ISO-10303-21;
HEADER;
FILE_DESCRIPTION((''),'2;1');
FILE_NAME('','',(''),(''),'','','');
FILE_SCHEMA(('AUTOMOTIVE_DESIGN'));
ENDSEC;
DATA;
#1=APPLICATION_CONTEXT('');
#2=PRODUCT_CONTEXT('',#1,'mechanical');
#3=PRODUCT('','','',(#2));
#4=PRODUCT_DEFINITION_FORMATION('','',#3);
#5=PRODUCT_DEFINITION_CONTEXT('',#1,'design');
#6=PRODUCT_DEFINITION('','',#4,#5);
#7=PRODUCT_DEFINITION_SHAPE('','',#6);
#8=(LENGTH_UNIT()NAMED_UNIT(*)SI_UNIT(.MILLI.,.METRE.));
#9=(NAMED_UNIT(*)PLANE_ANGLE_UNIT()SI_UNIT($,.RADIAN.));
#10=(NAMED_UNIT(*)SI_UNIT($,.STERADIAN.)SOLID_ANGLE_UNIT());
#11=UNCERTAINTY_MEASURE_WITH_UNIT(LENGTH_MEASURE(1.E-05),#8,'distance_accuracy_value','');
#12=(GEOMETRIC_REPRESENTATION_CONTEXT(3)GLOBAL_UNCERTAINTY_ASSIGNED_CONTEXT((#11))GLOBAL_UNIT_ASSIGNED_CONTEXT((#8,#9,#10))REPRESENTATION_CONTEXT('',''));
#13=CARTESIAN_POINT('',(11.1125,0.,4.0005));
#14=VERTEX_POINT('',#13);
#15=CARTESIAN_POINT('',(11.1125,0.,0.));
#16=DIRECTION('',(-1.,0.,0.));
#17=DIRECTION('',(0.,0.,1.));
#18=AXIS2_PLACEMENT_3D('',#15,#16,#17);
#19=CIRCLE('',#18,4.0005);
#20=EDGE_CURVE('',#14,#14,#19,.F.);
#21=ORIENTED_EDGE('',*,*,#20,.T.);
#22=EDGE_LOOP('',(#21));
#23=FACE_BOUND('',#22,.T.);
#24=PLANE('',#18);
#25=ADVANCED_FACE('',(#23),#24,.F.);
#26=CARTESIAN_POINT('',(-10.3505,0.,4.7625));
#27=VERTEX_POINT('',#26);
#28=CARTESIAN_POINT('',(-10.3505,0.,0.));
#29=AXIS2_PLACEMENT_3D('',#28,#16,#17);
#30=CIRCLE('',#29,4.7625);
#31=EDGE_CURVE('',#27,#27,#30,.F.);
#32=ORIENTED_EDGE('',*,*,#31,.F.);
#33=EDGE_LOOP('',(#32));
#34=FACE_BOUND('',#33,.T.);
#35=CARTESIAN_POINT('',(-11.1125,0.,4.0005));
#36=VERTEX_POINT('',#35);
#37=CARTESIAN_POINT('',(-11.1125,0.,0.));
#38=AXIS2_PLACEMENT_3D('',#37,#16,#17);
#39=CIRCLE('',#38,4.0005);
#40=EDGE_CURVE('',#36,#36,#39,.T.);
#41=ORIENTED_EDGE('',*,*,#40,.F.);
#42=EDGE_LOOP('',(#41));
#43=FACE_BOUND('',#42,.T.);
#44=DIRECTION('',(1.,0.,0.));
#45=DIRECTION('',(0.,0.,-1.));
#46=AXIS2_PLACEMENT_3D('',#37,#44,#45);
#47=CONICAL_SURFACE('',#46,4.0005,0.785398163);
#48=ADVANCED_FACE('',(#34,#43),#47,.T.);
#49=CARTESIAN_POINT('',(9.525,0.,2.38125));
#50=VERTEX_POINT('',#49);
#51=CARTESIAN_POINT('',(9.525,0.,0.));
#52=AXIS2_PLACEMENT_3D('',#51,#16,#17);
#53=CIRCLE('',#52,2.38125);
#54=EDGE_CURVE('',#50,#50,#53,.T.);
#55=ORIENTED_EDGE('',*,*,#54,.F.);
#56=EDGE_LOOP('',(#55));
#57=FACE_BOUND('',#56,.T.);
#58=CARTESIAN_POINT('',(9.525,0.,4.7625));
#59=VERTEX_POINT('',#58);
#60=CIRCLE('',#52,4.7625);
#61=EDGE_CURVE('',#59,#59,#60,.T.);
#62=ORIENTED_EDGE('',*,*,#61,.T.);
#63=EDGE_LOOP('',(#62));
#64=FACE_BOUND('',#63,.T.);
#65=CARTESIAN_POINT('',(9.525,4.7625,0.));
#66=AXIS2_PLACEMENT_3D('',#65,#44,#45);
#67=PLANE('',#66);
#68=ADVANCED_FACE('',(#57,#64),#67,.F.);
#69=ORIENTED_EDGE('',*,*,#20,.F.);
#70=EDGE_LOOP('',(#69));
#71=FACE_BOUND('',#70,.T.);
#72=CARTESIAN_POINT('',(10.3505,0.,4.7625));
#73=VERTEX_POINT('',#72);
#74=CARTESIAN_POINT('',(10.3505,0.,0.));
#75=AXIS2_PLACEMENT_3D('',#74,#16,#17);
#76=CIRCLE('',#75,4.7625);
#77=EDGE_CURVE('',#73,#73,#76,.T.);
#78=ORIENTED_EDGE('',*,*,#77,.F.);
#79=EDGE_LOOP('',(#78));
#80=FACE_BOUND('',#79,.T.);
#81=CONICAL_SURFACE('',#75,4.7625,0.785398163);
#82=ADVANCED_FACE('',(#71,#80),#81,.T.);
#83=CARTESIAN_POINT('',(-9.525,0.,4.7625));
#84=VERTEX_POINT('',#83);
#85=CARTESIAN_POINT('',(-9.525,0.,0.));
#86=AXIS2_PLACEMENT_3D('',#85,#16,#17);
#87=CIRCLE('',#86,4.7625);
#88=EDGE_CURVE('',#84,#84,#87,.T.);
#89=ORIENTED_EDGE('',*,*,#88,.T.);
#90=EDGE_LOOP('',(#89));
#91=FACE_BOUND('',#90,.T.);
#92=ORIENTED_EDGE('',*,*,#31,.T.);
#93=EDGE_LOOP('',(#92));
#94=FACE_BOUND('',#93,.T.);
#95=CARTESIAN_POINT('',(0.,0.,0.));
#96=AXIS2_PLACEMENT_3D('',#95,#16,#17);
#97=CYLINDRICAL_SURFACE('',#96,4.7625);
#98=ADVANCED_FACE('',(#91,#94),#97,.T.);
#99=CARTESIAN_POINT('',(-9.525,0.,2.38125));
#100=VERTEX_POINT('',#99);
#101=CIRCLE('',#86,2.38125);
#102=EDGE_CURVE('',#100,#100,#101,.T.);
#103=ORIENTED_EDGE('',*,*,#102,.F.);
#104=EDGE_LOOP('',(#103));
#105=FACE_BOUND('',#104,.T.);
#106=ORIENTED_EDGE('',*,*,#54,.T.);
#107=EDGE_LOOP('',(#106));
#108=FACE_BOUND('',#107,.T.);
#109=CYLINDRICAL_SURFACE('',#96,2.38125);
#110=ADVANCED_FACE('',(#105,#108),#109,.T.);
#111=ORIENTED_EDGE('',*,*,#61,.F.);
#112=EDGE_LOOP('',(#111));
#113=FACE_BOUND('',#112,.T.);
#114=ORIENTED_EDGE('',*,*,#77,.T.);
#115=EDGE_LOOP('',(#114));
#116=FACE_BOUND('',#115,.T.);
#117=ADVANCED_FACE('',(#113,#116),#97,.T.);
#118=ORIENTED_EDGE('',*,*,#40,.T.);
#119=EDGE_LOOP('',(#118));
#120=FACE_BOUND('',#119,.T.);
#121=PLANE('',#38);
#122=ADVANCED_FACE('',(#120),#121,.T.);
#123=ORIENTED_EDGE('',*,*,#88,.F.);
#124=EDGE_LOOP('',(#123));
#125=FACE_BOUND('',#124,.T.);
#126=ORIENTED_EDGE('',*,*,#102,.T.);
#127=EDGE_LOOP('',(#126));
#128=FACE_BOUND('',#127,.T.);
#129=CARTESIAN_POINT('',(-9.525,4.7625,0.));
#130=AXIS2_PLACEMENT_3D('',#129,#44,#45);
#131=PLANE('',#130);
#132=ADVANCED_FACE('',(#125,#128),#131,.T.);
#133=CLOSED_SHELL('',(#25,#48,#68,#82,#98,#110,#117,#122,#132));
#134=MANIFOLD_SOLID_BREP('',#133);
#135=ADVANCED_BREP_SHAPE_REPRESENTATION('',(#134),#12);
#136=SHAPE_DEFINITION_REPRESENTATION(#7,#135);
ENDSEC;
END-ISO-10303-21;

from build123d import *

# Parameters (mm, degrees)
CHAMFER1_SIZE = 0.762


with BuildPart() as part:
    # Sketch1 → Base-Revolve (revolve)
    with BuildSketch(Plane.XY):
        Polygon((11.1125, 0), (11.1125, 4.7625), (9.525, 4.7625), (9.525, 2.38125), (-9.525, 2.38125), (-9.525, 4.7625), (-11.1125, 4.7625), (-11.1125, 0), align=None)
    revolve(axis=Axis((0, 0, 0), (1, 0, 0)))

    # Chamfer1
    chamfer1_edges = [part.edges().sort_by_distance(p)[0] for p in [
        (11.1125, -4.7625, 0),
        (-11.1125, -4.7625, 0),
    ]]
    chamfer(chamfer1_edges, length=CHAMFER1_SIZE)


solid = part.part
